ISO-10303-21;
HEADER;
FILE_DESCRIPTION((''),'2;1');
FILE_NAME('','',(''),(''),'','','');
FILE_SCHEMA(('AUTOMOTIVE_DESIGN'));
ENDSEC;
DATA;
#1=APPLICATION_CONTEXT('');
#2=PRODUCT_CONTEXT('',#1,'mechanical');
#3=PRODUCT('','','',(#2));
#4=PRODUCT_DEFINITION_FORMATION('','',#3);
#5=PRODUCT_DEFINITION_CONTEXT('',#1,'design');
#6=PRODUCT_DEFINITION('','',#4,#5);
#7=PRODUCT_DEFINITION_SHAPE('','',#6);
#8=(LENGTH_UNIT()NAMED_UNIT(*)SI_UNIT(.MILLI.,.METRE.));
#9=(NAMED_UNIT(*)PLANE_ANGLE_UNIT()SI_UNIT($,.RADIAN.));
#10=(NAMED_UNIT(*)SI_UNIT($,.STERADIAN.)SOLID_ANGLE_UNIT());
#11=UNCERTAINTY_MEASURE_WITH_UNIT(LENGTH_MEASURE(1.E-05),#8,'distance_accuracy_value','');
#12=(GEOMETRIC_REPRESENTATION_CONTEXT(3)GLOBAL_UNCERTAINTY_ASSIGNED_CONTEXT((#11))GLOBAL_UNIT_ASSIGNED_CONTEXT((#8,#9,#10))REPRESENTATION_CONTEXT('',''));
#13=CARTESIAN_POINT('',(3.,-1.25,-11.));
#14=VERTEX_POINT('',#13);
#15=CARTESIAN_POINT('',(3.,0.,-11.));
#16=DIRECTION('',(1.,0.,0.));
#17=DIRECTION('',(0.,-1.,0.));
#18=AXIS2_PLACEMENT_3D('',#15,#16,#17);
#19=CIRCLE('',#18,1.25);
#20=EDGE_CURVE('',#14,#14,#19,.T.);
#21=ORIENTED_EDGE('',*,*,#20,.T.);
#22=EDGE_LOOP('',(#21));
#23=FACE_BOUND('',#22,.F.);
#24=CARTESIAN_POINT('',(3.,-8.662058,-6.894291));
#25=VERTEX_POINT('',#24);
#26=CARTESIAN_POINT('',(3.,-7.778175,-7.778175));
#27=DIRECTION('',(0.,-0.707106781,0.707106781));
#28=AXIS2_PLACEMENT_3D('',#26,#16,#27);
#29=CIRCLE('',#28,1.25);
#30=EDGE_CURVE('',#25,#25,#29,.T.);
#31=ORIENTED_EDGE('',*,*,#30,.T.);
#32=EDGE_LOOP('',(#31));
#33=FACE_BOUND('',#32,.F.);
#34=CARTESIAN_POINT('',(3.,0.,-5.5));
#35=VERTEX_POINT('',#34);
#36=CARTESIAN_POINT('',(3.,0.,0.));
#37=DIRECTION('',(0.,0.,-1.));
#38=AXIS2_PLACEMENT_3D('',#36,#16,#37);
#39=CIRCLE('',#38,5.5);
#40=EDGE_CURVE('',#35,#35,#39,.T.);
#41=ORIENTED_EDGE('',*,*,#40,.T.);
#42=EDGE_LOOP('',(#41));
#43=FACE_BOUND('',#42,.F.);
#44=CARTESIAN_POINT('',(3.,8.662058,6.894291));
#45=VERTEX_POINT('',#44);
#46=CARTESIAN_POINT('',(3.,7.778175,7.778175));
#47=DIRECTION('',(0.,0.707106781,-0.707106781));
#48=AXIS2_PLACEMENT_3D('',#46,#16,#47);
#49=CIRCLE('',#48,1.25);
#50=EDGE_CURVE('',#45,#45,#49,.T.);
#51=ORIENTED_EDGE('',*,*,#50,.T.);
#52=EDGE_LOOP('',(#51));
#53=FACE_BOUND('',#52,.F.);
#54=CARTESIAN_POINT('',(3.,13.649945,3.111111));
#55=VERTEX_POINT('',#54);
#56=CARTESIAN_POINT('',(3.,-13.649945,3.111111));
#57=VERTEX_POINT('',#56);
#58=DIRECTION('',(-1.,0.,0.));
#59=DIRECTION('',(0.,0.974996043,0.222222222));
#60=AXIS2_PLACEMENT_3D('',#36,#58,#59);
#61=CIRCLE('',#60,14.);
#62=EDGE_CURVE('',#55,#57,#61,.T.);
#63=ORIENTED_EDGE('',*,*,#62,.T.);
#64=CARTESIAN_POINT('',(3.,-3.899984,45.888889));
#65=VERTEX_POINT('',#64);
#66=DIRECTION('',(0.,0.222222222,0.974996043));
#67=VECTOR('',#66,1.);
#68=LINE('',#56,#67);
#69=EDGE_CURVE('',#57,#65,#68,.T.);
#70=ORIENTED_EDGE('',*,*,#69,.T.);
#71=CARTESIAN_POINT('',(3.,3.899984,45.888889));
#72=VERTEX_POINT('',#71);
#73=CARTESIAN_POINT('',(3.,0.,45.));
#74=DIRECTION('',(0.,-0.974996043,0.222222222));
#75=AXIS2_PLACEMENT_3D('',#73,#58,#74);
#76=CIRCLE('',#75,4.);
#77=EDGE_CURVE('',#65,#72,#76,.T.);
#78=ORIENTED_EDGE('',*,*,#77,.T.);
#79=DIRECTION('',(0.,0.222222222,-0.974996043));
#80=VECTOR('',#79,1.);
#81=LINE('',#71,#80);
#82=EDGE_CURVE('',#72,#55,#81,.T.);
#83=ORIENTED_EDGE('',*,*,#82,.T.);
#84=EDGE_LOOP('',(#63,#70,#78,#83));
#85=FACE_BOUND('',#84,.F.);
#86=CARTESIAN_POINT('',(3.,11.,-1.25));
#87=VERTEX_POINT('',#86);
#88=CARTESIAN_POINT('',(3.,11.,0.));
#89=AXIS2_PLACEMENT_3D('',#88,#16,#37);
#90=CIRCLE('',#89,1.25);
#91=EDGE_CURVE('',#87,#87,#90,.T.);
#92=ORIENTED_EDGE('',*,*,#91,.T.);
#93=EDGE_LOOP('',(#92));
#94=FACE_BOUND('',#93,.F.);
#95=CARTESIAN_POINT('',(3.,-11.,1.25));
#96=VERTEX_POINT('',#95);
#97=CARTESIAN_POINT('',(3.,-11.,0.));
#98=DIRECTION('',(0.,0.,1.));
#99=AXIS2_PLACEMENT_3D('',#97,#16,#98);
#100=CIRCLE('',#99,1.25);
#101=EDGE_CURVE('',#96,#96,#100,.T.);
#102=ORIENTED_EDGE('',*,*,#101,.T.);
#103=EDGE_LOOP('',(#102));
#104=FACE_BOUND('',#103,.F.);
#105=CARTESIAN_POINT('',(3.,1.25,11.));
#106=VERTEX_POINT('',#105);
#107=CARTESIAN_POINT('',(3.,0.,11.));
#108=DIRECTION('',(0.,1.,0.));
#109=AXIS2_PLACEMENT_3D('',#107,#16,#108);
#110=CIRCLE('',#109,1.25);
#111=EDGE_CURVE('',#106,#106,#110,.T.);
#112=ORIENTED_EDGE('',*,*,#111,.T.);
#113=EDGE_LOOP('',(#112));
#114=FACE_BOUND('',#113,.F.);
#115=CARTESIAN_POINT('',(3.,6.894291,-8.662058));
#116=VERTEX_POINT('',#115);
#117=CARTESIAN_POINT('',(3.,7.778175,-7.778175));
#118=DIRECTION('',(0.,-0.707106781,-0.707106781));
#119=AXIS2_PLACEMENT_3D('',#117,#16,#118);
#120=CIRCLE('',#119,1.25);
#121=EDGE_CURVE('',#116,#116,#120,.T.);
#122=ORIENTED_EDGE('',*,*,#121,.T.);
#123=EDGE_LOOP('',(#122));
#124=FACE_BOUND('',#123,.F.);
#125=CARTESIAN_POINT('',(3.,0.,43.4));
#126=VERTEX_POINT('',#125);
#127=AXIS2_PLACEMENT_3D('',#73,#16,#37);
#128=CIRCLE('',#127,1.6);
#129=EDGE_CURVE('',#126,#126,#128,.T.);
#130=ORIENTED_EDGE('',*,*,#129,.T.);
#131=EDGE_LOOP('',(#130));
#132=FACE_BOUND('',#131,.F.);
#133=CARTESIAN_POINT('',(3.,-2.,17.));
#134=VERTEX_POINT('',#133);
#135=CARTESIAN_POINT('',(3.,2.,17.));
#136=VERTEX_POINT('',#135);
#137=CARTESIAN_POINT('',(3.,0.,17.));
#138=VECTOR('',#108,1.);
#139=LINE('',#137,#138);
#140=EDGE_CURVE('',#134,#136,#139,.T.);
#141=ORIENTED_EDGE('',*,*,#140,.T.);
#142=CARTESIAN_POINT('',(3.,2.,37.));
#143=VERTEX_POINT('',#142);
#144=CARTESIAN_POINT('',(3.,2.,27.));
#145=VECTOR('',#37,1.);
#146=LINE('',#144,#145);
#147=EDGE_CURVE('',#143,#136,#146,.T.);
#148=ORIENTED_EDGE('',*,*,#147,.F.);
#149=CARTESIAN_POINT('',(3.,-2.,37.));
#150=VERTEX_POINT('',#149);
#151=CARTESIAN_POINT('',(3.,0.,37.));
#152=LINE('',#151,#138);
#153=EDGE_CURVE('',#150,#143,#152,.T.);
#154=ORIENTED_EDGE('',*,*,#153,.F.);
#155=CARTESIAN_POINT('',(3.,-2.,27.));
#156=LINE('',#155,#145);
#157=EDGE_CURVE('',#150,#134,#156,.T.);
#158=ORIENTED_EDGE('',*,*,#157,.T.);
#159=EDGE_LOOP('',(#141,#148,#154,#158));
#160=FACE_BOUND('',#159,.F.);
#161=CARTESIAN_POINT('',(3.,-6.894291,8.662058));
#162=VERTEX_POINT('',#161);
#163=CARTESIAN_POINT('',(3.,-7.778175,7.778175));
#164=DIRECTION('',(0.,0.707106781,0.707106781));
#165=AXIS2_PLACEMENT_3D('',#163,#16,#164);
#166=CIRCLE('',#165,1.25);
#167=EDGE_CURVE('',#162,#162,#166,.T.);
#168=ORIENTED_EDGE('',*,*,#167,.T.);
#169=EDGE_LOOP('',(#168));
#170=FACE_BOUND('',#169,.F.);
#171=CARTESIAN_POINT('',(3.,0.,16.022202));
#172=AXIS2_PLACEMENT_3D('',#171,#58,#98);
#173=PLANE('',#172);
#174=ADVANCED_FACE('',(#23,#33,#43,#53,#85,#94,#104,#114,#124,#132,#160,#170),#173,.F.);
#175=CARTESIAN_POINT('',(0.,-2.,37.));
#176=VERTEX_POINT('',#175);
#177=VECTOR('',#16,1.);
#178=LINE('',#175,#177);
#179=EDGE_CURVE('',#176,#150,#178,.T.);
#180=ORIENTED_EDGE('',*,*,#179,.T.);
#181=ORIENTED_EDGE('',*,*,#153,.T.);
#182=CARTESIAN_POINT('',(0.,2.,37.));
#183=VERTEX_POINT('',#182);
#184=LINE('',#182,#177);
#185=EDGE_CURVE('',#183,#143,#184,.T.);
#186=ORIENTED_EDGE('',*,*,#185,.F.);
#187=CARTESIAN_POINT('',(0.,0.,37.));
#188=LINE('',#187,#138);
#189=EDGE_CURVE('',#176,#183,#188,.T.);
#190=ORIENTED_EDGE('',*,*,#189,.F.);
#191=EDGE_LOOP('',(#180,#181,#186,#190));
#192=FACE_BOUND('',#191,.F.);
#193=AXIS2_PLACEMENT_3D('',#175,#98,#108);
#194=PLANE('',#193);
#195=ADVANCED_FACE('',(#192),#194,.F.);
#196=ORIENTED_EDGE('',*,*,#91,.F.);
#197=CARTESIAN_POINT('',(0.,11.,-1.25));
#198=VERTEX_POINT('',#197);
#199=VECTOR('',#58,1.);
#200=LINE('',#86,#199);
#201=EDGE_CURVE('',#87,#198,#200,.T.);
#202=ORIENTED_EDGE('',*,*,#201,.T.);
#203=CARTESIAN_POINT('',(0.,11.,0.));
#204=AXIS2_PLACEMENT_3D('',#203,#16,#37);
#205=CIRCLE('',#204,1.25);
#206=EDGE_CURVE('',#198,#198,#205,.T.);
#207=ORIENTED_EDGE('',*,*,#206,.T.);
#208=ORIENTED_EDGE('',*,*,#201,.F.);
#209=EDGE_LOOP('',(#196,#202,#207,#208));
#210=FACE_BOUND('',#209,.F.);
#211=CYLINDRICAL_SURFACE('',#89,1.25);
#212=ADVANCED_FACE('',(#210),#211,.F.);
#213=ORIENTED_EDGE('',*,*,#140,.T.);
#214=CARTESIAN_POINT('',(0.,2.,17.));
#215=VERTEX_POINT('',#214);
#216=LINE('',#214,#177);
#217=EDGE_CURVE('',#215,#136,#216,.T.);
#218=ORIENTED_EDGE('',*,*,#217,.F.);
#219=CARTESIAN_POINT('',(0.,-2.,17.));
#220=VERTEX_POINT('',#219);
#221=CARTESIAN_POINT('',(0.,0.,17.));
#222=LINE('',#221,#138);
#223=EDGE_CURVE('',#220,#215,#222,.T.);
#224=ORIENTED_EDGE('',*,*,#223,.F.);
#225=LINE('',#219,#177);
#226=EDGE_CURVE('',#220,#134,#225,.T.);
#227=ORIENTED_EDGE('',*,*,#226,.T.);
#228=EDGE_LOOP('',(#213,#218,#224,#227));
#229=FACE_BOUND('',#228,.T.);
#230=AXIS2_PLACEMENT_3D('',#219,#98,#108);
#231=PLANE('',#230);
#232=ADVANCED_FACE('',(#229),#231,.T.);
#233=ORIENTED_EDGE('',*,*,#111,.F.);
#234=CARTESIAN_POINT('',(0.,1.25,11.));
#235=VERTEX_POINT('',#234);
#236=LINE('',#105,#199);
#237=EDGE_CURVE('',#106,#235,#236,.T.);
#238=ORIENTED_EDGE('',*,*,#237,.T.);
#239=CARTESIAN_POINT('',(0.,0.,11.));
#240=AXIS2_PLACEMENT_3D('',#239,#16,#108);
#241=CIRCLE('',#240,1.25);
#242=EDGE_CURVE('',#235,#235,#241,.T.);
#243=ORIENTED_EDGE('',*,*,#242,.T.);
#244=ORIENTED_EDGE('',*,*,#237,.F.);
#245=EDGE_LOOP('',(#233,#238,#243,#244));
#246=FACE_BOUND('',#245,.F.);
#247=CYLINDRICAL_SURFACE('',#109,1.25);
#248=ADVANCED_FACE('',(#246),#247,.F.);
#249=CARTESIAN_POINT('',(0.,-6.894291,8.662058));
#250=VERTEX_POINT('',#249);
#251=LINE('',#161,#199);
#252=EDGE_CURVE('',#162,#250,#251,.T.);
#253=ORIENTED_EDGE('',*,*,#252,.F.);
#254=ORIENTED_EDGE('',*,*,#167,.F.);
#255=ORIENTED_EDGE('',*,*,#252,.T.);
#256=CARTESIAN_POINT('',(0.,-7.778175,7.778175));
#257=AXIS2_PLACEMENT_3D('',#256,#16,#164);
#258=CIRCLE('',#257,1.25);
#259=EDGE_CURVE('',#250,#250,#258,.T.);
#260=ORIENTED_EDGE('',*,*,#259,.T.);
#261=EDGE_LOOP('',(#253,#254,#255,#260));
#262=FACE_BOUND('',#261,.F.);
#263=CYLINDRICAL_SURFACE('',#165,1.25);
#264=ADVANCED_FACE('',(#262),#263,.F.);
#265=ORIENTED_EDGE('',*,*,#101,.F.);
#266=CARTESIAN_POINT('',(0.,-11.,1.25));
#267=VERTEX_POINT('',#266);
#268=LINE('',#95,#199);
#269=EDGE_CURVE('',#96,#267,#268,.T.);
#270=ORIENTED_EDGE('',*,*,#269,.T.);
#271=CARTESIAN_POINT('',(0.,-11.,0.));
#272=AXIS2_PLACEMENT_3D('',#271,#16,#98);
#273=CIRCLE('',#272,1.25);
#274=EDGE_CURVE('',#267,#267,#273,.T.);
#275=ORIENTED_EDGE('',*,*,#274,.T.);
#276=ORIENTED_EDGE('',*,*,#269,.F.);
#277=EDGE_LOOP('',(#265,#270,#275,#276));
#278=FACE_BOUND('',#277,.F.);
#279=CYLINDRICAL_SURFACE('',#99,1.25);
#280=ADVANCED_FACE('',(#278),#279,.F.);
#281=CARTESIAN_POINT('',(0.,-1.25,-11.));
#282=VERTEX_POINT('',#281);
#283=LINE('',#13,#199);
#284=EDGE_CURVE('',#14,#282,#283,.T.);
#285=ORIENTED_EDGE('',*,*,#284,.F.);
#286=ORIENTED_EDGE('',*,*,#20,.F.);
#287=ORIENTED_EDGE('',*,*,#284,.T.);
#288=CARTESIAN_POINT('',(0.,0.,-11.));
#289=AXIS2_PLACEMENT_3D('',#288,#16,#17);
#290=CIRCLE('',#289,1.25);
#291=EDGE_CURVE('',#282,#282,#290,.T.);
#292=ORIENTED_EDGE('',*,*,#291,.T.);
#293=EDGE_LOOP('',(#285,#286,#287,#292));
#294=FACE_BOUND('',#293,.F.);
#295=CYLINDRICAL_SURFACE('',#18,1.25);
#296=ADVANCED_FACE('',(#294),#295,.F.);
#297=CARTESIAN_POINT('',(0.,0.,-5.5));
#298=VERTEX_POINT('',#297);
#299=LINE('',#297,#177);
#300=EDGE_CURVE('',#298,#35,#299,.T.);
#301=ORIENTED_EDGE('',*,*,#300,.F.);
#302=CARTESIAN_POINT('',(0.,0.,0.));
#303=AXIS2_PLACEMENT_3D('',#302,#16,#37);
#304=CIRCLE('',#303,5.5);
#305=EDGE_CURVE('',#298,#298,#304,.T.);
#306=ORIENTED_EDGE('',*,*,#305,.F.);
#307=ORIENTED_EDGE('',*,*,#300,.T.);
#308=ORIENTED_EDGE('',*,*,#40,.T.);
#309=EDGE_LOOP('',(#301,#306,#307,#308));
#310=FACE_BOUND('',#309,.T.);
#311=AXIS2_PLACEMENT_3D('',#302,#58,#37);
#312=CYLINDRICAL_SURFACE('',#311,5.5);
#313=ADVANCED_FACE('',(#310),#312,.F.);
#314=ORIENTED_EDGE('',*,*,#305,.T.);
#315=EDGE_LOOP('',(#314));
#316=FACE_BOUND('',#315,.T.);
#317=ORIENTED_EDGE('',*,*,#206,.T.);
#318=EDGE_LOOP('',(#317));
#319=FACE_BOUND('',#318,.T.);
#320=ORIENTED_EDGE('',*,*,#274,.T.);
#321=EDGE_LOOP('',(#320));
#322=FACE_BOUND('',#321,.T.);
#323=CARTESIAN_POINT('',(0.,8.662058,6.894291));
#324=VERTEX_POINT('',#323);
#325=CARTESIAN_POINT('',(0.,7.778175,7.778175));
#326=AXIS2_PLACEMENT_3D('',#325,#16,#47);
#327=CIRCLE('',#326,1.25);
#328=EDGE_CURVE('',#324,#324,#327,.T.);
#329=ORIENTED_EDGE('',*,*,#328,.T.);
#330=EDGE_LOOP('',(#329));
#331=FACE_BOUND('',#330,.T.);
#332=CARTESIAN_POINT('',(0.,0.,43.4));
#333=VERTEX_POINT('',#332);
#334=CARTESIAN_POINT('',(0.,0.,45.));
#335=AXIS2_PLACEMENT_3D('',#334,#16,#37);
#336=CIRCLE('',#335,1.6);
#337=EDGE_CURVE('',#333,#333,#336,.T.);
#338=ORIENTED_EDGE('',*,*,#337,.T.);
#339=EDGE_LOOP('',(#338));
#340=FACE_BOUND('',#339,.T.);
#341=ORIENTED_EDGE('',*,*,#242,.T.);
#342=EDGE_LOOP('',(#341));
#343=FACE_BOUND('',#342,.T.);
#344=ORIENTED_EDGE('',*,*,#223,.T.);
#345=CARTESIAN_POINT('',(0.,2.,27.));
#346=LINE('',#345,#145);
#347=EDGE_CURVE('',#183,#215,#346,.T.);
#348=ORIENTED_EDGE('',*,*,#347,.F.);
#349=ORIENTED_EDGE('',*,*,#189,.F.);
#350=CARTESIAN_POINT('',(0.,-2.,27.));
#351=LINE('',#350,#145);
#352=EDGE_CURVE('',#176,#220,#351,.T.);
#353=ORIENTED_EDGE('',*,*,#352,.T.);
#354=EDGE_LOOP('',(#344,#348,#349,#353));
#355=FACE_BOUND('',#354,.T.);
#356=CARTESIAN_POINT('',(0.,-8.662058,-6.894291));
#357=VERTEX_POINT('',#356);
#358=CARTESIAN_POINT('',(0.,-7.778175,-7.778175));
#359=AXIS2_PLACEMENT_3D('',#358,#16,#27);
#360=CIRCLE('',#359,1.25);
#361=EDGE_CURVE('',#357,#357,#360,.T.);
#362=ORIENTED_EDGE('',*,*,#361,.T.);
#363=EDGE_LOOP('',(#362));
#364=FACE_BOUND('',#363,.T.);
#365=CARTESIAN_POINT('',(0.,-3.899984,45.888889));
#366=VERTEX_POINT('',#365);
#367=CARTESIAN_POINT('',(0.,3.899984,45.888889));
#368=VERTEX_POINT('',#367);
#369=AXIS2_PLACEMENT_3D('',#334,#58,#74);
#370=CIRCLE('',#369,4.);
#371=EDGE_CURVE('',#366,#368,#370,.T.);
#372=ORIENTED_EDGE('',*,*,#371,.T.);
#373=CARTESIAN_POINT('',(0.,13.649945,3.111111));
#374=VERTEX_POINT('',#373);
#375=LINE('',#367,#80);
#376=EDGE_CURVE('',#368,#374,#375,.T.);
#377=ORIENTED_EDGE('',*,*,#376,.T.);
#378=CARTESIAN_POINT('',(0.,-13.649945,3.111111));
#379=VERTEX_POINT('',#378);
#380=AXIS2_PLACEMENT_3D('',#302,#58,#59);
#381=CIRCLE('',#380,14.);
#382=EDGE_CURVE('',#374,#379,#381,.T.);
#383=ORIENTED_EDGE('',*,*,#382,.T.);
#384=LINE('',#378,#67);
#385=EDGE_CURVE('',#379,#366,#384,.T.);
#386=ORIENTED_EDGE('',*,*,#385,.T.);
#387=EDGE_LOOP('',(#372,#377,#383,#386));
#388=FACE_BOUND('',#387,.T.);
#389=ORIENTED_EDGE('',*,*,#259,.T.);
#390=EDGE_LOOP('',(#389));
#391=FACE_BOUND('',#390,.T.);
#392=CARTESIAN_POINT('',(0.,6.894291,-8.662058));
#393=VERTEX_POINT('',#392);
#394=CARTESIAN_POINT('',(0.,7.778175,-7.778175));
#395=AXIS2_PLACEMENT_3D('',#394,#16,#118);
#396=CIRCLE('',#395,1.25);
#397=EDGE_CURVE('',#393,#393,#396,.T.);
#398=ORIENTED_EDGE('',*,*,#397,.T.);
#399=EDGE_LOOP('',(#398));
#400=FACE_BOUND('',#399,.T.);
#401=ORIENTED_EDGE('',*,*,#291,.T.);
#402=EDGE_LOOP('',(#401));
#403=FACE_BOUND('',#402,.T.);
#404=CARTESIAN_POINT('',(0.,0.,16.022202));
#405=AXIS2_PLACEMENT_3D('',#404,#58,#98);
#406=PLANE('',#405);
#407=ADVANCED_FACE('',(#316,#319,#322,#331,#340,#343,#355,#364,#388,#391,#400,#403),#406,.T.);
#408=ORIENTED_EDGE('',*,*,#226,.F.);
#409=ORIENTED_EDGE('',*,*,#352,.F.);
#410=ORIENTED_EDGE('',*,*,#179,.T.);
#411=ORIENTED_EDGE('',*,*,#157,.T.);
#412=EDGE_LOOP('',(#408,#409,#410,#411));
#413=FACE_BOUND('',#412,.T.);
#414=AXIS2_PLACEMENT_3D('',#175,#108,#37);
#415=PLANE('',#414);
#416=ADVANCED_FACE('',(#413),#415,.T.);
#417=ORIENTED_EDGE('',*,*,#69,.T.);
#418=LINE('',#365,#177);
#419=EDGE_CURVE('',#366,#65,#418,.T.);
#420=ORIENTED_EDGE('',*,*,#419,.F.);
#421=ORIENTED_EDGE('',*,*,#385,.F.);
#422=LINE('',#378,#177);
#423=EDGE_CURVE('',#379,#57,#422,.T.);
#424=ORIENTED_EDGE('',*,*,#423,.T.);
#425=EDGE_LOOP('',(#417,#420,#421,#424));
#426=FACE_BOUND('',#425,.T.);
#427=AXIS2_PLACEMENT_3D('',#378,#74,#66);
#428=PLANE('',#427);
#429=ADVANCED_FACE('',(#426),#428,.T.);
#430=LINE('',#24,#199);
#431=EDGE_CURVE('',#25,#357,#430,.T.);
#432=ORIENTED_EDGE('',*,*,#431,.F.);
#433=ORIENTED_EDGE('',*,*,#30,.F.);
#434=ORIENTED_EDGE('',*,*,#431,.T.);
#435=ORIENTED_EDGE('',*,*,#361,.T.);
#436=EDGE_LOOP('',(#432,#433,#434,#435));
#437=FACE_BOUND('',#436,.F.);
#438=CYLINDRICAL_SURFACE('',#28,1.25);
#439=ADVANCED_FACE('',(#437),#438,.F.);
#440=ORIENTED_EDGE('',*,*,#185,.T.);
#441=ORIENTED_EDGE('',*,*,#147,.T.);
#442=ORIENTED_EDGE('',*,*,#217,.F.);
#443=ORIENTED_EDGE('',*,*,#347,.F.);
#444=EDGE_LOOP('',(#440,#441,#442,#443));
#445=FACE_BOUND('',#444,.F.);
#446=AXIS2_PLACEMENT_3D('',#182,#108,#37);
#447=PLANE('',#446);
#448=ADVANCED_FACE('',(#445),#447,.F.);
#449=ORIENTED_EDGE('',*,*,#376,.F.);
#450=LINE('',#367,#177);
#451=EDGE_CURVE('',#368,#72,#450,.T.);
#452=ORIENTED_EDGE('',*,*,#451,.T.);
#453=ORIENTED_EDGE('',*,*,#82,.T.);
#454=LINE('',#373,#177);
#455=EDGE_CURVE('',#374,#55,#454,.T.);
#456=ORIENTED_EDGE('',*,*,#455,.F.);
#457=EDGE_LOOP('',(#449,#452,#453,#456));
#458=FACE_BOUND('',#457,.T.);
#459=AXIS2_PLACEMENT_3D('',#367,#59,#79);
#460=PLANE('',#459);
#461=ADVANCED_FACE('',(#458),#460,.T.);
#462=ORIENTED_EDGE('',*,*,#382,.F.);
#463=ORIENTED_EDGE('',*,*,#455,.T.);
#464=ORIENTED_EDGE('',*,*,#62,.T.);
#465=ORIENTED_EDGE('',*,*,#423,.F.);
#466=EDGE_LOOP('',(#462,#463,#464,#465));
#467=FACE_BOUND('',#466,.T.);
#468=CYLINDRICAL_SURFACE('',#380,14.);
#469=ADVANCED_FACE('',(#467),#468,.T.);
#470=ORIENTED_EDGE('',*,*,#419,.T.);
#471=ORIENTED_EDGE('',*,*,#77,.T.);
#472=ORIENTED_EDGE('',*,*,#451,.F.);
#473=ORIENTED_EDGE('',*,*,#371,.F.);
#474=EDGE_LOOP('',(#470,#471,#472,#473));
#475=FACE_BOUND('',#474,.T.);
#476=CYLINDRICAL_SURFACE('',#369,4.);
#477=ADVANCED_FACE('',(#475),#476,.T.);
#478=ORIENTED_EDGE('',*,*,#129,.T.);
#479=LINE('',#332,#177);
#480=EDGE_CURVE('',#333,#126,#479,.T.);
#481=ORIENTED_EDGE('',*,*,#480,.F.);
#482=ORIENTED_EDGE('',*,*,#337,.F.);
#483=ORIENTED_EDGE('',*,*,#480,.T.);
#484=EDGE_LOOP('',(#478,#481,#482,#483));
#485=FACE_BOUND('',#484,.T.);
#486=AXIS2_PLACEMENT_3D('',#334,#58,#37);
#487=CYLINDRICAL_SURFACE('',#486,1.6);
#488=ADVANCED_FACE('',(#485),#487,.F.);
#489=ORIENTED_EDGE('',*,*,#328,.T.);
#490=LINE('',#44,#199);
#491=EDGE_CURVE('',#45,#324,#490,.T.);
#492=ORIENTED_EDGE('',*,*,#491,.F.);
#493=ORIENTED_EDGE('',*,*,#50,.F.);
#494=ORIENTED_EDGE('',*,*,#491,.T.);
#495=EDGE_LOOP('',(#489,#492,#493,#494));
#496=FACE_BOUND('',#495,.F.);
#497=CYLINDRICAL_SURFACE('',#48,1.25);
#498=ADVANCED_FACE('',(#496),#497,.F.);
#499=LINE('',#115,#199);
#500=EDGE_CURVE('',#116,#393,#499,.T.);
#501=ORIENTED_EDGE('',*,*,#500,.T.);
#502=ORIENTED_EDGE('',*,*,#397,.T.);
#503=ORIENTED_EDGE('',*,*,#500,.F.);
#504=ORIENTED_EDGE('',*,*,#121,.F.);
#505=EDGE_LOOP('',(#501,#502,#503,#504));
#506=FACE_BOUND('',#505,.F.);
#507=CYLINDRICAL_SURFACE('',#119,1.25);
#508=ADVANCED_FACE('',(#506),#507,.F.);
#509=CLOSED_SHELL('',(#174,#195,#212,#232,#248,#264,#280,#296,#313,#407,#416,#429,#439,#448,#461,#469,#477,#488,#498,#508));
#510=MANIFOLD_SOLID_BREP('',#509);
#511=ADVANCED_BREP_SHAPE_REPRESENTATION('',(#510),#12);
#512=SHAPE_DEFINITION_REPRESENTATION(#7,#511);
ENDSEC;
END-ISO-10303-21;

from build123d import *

# Parameters (mm, degrees)
SKETCH1_R           = 1.6
SKETCH1_R_2         = 5.5
SKETCH1_W           = 20
SKETCH1_H           = 4
BOSS_EXTRUDE1_DEPTH = 3
CUT_EXTRUDE1_REACH  = 53.049
SKETCH2_R           = 1.25
CIRPATTERN1_COUNT   = 8


with BuildPart() as part:
    # Sketch1 → Boss-Extrude1 (new body)
    with BuildSketch(Plane(origin=(0, 0, 0), x_dir=(0, 0, -1), z_dir=(1, 0, 0))):
        with BuildLine():
            Line((-45.888888889, 3.899984172), (-3.111111111, 13.649944603))
            ThreePointArc((-3.111111111, 13.649944603), (14, 0), (-3.111111111, -13.649944603))
            Line((-3.111111111, -13.649944603), (-45.888888889, -3.899984172))
            ThreePointArc((-45.888888889, -3.899984172), (-49, 0), (-45.888888889, 3.899984172))
        make_face()
        with Locations((-45, 0)):
            Circle(SKETCH1_R, mode=Mode.SUBTRACT)
        Circle(SKETCH1_R_2, mode=Mode.SUBTRACT)
        with Locations((-27, 0)):
            Rectangle(SKETCH1_W, SKETCH1_H, mode=Mode.SUBTRACT)
    extrude(amount=BOSS_EXTRUDE1_DEPTH)

    # Sketch2 → Cut-Extrude1 (cut, up to next)
    with BuildSketch(Plane(origin=(3, 0, 0), x_dir=(0, 0, -1), z_dir=(1, 0, 0)), mode=Mode.PRIVATE) as cut_extrude1_sk1:
        with Locations((0, 11)):
            Circle(SKETCH2_R)
    cut_extrude1_tool1 = extrude(cut_extrude1_sk1.sketch, amount=-CUT_EXTRUDE1_REACH, mode=Mode.PRIVATE) & part.part
    cut_extrude1 = cut_extrude1_tool1.solids().sort_by_distance((3, 11, 0))[0]
    add(cut_extrude1, mode=Mode.SUBTRACT)

    # CirPattern1: Cut-Extrude1 ×8 about axis
    cirpattern1_axis = Axis((0, 0, 0), (1, 0, 0))
    for i in range(1, CIRPATTERN1_COUNT):
        add(cut_extrude1.rotate(cirpattern1_axis, i * 360 / CIRPATTERN1_COUNT), mode=Mode.SUBTRACT)


solid = part.part
